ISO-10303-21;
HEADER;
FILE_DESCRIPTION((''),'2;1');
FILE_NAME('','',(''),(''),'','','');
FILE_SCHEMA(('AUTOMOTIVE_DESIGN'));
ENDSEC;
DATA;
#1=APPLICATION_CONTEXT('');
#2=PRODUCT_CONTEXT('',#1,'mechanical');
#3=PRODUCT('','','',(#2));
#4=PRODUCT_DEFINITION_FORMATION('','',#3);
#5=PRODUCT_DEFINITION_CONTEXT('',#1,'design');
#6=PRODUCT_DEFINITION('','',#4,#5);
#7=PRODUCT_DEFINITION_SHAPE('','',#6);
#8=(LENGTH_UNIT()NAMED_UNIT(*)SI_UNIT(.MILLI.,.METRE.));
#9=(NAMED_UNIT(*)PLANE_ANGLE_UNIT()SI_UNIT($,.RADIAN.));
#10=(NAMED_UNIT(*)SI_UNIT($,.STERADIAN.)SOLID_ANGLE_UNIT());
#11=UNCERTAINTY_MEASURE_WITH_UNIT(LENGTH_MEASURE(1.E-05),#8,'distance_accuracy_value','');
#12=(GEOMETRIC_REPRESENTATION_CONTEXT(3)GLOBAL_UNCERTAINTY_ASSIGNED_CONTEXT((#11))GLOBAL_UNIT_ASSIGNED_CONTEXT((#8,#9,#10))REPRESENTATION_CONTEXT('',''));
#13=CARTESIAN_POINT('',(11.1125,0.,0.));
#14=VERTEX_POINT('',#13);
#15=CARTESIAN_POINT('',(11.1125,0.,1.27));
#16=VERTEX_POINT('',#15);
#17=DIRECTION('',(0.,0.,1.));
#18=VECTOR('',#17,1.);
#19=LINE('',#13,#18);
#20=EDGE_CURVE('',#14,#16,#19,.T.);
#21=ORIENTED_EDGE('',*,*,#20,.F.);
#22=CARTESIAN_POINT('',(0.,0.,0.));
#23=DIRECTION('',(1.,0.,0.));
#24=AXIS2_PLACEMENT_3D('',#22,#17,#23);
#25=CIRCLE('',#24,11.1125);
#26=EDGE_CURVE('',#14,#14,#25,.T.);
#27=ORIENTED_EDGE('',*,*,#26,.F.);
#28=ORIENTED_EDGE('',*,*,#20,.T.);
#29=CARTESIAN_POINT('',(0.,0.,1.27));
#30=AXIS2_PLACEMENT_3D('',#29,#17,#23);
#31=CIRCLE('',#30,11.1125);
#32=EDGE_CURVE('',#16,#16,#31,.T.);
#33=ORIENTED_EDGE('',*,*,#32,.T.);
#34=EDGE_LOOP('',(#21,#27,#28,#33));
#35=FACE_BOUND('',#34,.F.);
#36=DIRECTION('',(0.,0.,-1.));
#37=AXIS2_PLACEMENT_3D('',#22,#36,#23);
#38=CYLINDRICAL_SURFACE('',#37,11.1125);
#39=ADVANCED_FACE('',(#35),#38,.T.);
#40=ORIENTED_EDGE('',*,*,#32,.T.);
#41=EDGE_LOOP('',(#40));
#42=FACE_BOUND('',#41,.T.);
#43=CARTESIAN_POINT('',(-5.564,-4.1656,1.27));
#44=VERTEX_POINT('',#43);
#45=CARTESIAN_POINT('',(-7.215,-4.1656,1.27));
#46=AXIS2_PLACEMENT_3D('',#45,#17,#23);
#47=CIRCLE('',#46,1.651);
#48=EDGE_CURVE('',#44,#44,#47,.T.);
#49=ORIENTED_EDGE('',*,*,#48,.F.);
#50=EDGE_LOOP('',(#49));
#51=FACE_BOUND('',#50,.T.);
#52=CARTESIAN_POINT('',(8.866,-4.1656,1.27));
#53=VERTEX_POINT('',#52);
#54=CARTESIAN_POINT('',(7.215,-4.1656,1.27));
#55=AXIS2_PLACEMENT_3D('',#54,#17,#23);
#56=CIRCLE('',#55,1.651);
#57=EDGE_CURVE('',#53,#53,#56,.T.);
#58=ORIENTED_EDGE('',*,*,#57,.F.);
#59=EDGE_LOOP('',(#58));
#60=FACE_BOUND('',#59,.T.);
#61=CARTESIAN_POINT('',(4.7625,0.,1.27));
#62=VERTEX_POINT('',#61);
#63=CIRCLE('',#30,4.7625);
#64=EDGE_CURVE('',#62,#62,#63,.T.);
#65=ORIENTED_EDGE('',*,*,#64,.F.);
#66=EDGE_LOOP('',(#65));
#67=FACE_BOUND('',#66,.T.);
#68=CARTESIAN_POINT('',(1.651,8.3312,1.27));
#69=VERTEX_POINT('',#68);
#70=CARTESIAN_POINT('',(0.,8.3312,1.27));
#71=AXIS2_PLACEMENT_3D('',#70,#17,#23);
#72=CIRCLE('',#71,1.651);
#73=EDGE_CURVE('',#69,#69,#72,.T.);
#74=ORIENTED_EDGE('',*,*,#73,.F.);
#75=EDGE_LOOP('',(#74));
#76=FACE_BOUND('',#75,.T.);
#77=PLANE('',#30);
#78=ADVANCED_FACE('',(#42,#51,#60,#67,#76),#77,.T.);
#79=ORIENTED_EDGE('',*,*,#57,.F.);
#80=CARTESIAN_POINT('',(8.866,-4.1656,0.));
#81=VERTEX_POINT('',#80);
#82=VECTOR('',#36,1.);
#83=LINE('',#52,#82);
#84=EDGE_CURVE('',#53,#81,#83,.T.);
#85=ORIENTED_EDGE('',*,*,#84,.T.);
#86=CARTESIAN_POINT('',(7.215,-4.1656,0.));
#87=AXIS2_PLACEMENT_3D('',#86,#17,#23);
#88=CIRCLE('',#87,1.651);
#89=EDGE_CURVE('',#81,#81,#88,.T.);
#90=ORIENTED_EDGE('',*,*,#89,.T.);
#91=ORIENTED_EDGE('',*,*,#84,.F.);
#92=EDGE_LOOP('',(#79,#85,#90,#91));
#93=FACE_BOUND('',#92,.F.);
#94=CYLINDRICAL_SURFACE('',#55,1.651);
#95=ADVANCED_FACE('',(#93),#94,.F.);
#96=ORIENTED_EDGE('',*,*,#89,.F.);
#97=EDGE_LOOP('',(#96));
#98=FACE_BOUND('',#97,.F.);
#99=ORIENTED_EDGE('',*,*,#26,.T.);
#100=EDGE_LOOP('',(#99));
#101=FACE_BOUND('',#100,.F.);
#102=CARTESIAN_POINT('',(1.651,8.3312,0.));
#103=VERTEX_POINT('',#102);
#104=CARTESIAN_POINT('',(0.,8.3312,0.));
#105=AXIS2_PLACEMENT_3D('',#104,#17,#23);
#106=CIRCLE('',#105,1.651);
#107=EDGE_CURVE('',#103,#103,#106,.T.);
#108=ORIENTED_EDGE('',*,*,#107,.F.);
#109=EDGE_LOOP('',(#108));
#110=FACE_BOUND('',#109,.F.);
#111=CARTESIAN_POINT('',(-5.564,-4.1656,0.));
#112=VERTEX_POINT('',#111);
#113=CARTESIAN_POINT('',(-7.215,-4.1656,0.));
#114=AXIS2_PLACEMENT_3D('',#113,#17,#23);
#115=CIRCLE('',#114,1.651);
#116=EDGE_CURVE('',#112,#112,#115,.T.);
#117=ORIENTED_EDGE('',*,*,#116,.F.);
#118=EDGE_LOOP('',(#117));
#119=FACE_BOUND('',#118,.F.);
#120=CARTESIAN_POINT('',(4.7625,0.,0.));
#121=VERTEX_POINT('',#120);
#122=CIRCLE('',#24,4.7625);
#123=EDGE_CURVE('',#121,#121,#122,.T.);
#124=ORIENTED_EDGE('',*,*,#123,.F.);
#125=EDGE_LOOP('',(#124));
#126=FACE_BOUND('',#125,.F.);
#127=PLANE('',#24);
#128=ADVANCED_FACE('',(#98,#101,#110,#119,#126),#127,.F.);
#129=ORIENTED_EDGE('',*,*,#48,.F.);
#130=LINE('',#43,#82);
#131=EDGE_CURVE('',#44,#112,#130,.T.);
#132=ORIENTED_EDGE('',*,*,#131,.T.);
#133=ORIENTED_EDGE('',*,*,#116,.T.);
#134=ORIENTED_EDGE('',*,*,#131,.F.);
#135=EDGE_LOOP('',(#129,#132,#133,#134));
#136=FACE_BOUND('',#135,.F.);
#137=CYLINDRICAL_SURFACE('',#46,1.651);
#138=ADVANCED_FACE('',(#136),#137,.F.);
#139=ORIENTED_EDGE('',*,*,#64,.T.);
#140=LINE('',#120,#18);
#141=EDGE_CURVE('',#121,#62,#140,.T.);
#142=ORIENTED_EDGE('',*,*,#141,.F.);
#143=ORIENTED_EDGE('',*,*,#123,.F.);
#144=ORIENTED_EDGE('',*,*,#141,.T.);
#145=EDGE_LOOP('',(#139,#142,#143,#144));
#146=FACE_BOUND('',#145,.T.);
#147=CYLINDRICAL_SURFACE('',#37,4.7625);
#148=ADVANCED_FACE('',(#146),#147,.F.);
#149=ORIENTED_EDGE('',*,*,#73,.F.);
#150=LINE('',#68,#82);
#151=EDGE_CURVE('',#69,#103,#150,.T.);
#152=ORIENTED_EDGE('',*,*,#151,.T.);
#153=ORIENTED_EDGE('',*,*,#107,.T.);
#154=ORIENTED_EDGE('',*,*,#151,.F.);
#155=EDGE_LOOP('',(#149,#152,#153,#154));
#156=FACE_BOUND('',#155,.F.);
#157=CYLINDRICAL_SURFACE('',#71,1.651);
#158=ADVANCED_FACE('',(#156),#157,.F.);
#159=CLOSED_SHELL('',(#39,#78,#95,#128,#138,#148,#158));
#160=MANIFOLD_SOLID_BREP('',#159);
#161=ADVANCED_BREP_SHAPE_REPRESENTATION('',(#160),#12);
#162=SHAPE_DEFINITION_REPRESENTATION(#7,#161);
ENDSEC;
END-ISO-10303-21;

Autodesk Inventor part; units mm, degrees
ref_plane "YZ Plane" through (0, 0, 0) normal (1, 0, 0) x (0, 1, 0)
ref_plane "XZ Plane" through (0, 0, 0) normal (0, 1, 0) x (-1, 0, 0)
ref_plane "XY Plane" through (0, 0, 0) normal (0, 0, 1) x (1, 0, 0)
sketch "Sketch1" plane through (0, 0, 0) normal (0, 0, 1) x (1, 0, 0)
  circle A0 centre (0, 0) radius 4.7625
  circle A1 centre (0, 0) radius 11.1125
  dimension "d0" = 9.525
  dimension "d1" = 22.225
extrude "Extrusion1" add sketch "Sketch1" along normal blind 1.27
sketch "Sketch2" plane through (0, 0, 1.27) normal (0, 0, 1) x (1, 0, 0)
  circle A0 centre (0, 8.3312) radius 1.651
  circle A1 centre (-7.215, -4.1656) radius 1.651
  circle A2 centre (7.215, -4.1656) radius 1.651
  point P0 (0, 0)
  dimension "d4" = 3.302
  dimension "d7" = 360
  dimension "d9" = 8.3312
extrude "Extrusion2" cut sketch "Sketch2" against normal blind 1.27
properties part number "CompressionWasherPlastic" material "ABS Plastic"
